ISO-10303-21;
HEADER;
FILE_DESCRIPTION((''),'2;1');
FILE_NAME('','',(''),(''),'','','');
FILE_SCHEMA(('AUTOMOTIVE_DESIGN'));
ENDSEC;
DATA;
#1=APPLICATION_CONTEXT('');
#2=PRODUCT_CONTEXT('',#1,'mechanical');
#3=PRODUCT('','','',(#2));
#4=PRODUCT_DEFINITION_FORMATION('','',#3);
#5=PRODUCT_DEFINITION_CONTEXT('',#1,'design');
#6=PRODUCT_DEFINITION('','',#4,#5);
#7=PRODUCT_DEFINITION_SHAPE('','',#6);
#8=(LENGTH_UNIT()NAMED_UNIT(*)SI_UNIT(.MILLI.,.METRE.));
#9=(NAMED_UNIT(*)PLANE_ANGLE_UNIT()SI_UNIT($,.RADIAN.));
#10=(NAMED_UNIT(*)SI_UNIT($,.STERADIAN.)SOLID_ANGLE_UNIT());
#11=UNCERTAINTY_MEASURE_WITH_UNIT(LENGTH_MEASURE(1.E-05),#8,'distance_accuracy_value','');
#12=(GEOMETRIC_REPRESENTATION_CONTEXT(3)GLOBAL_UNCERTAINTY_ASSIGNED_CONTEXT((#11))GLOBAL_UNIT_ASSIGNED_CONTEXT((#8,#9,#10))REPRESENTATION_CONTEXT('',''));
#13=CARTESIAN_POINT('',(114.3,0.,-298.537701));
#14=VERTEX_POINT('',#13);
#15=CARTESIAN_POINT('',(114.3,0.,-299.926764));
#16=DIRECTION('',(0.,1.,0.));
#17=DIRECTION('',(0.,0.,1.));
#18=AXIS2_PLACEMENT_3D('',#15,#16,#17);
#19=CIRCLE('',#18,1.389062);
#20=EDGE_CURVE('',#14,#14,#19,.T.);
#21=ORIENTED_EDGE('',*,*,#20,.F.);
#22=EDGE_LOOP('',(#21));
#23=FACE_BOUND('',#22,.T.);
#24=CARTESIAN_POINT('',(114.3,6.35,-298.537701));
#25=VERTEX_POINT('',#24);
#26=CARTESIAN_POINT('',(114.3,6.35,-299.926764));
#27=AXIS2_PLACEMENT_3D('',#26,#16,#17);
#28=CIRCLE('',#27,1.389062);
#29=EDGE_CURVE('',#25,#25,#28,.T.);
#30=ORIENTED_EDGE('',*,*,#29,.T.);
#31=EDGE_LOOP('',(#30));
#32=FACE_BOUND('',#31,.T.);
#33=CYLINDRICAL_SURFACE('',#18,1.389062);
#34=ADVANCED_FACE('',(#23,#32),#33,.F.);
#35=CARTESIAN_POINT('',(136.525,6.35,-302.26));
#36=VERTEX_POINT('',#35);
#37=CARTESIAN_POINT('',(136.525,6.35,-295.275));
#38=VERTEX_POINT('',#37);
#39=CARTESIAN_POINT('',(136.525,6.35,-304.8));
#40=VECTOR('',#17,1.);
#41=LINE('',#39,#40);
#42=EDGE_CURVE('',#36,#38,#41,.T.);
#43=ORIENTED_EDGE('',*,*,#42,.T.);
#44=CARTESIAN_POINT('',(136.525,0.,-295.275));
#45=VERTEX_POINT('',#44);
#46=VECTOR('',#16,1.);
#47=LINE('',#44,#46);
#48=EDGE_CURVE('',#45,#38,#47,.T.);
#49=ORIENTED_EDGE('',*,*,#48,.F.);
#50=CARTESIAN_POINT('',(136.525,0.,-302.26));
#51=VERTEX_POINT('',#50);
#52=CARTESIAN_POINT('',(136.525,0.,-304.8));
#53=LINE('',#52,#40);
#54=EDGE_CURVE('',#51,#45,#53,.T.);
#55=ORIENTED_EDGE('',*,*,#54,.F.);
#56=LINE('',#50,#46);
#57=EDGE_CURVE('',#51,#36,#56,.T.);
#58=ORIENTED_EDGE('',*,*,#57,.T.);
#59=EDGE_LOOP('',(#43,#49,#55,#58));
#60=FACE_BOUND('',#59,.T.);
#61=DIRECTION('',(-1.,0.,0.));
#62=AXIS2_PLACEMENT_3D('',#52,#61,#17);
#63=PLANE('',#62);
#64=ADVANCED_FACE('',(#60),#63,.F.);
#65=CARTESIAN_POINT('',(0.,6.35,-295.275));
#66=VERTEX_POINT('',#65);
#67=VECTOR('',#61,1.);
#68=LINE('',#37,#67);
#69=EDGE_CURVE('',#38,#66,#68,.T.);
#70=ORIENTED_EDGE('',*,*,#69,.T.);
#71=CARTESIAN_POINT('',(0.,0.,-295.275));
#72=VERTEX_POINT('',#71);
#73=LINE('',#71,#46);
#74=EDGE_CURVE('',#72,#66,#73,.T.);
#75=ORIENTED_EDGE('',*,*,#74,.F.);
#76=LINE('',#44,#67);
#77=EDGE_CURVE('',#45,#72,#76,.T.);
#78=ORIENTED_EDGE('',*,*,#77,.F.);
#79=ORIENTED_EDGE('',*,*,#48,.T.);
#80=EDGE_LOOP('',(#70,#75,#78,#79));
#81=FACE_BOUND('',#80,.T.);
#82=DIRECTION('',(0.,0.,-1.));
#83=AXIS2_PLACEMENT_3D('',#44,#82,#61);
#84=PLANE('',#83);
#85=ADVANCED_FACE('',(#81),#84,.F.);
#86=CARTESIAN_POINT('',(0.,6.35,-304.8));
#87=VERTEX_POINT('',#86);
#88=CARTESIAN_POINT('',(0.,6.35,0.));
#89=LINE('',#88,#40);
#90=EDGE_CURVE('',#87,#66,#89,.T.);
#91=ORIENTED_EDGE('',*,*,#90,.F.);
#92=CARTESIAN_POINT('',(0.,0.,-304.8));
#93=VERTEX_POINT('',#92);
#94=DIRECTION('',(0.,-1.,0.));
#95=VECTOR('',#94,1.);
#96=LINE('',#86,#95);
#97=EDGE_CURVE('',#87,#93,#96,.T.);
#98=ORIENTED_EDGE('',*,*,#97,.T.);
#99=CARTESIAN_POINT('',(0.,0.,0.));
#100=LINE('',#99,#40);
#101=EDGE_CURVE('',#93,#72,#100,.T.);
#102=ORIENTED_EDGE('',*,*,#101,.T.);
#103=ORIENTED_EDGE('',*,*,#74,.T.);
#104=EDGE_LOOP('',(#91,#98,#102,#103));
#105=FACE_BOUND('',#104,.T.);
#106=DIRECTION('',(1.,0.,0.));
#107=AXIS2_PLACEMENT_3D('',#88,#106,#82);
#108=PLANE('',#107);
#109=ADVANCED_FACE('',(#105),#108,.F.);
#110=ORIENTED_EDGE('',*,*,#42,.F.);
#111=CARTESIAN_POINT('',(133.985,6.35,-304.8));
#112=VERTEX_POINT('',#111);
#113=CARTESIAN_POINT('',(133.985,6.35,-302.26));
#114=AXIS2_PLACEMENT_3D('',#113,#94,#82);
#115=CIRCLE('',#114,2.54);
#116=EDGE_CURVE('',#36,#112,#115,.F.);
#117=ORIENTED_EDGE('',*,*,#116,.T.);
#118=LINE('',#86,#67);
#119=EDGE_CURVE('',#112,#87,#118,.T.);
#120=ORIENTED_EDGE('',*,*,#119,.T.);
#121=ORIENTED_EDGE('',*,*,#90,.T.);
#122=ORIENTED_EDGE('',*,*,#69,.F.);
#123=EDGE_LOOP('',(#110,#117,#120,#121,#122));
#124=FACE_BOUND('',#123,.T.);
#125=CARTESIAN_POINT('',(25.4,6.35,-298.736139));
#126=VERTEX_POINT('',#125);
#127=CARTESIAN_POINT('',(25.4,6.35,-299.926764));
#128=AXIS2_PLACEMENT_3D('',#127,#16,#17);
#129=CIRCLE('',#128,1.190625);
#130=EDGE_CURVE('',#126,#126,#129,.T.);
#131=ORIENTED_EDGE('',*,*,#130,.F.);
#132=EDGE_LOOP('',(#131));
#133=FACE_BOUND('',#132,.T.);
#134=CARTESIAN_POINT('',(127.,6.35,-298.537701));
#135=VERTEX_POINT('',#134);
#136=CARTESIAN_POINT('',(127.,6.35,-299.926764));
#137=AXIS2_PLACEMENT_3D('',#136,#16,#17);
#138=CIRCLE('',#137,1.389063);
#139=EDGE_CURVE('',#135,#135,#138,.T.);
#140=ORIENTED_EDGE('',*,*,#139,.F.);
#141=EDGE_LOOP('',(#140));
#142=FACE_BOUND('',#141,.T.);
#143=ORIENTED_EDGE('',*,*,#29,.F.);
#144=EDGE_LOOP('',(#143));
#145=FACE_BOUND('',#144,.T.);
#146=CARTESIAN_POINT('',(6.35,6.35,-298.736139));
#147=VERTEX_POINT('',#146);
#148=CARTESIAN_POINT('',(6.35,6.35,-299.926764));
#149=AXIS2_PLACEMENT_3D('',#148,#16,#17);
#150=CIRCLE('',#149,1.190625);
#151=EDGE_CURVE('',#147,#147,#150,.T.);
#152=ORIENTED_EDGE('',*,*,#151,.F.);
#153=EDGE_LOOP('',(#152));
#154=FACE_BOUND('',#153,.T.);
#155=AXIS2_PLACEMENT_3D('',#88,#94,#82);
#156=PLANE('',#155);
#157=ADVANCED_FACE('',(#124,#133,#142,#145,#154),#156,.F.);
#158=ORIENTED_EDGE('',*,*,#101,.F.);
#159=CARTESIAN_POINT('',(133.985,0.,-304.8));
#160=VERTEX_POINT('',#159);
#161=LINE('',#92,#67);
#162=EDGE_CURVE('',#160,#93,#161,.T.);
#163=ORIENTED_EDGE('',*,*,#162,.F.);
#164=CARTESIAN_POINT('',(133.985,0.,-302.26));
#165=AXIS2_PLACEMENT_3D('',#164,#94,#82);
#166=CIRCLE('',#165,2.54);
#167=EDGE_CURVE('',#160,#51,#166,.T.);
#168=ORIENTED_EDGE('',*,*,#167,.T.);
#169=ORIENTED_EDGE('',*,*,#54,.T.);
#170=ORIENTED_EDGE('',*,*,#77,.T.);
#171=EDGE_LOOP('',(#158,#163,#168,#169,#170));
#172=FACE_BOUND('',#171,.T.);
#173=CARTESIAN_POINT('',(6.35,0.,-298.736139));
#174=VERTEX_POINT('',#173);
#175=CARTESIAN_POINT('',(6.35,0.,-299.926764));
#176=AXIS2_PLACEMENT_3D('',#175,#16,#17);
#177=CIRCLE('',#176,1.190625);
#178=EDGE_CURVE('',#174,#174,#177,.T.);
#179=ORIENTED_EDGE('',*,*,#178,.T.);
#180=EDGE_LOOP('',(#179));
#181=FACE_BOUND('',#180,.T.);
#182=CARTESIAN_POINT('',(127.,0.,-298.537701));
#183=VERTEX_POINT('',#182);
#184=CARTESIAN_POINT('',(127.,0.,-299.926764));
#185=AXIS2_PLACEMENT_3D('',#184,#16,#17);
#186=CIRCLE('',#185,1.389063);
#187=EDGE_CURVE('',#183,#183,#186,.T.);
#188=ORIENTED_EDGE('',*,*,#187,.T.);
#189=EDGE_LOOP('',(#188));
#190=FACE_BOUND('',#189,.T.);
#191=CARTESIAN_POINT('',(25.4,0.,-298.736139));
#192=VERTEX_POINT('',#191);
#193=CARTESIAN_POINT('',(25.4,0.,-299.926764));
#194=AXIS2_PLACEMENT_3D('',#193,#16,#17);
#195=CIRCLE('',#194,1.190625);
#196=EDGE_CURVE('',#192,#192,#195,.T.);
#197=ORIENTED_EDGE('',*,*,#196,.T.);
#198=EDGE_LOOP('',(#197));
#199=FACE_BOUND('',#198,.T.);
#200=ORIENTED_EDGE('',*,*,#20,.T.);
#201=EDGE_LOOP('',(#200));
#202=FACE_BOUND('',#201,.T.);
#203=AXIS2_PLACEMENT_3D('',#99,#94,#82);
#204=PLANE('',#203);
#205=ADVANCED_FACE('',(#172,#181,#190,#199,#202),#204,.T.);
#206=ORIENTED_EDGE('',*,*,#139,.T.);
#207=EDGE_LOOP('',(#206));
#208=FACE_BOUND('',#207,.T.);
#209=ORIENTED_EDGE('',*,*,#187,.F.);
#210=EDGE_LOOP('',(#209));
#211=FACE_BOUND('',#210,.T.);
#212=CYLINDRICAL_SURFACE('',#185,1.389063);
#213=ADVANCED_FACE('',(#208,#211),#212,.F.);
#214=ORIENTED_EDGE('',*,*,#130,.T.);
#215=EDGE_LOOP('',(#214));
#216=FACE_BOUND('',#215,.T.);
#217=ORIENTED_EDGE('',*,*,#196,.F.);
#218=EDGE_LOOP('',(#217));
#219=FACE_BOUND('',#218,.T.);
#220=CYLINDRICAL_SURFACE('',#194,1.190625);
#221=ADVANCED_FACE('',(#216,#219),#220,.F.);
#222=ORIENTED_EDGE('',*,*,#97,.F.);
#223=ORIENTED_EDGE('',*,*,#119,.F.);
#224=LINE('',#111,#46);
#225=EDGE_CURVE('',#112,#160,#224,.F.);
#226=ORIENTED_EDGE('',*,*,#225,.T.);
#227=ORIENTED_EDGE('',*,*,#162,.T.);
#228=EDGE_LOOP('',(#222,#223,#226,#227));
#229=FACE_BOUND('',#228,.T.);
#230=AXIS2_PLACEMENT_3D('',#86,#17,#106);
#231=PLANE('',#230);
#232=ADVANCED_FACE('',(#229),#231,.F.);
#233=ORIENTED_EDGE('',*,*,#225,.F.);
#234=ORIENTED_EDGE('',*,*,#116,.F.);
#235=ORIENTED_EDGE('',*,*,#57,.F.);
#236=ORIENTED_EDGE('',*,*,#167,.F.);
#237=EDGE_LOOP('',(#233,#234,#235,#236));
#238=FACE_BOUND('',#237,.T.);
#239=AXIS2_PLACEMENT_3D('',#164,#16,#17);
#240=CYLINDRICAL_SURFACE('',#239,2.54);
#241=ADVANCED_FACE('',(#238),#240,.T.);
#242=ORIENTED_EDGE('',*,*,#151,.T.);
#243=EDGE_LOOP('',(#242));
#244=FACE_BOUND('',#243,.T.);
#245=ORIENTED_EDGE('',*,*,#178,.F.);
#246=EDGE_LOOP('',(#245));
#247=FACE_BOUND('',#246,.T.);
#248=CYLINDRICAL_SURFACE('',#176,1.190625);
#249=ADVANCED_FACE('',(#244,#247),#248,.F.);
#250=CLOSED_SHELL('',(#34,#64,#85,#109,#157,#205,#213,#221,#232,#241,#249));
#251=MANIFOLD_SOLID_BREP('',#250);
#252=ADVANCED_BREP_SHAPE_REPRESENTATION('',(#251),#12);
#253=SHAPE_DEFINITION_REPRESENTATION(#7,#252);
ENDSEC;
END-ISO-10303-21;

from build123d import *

# Parameters (mm, degrees)
SKETCH1_W           = 304.8
SKETCH1_H           = 304.8
BOSS_EXTRUDE1_DEPTH = 6.35
CUT_EXTRUDE2_DEPTH  = 6.35
SKETCH3_R           = 1.190625
SKETCH3_R_2         = 1.3890625
CUT_EXTRUDE3_DEPTH  = 335.039575687
FILLET2_R           = 2.54


with BuildPart() as part:
    # Sketch1 → Boss-Extrude1 (new body)
    with BuildSketch(Plane(origin=(0, 0, 0), x_dir=(1, 0, 0), z_dir=(0, 1, 0))):
        with Locations((152.4, 152.4)):
            Rectangle(SKETCH1_W, SKETCH1_H)
    extrude(amount=BOSS_EXTRUDE1_DEPTH)

    # Sketch2 → Cut-Extrude2 (cut)
    with BuildSketch(Plane(origin=(0, 6.35, 0), x_dir=(1, 0, 0), z_dir=(0, 1, 0))):
        Polygon((136.525, 304.8), (136.525, 295.275), (0, 295.275), (0, 0), (304.8, 0), (304.8, 304.8), align=None)
    extrude(amount=-CUT_EXTRUDE2_DEPTH, mode=Mode.SUBTRACT)

    # Sketch3 → Cut-Extrude3 (cut, through all)
    with BuildSketch(Plane(origin=(0, 6.35, 0), x_dir=(1, 0, 0), z_dir=(0, 1, 0))):
        with Locations(Location((6.35, 299.92676377, 0), (0, 0, 270))):
            Circle(SKETCH3_R)
        with Locations(Location((25.4, 299.92676377, 0), (0, 0, 270))):
            Circle(SKETCH3_R)
        with Locations(Location((114.3, 299.92676377, 0), (0, 0, 270))):
            Circle(SKETCH3_R_2)
        with Locations(Location((127, 299.92676377, 0), (0, 0, 270))):
            Circle(SKETCH3_R_2)
    extrude(amount=-CUT_EXTRUDE3_DEPTH, mode=Mode.SUBTRACT)

    # Fillet2
    fillet2_edges = [part.edges().sort_by_distance(p)[0] for p in [
        (136.525, 3.175, -304.8),
    ]]
    fillet(fillet2_edges, radius=FILLET2_R)


solid = part.part
